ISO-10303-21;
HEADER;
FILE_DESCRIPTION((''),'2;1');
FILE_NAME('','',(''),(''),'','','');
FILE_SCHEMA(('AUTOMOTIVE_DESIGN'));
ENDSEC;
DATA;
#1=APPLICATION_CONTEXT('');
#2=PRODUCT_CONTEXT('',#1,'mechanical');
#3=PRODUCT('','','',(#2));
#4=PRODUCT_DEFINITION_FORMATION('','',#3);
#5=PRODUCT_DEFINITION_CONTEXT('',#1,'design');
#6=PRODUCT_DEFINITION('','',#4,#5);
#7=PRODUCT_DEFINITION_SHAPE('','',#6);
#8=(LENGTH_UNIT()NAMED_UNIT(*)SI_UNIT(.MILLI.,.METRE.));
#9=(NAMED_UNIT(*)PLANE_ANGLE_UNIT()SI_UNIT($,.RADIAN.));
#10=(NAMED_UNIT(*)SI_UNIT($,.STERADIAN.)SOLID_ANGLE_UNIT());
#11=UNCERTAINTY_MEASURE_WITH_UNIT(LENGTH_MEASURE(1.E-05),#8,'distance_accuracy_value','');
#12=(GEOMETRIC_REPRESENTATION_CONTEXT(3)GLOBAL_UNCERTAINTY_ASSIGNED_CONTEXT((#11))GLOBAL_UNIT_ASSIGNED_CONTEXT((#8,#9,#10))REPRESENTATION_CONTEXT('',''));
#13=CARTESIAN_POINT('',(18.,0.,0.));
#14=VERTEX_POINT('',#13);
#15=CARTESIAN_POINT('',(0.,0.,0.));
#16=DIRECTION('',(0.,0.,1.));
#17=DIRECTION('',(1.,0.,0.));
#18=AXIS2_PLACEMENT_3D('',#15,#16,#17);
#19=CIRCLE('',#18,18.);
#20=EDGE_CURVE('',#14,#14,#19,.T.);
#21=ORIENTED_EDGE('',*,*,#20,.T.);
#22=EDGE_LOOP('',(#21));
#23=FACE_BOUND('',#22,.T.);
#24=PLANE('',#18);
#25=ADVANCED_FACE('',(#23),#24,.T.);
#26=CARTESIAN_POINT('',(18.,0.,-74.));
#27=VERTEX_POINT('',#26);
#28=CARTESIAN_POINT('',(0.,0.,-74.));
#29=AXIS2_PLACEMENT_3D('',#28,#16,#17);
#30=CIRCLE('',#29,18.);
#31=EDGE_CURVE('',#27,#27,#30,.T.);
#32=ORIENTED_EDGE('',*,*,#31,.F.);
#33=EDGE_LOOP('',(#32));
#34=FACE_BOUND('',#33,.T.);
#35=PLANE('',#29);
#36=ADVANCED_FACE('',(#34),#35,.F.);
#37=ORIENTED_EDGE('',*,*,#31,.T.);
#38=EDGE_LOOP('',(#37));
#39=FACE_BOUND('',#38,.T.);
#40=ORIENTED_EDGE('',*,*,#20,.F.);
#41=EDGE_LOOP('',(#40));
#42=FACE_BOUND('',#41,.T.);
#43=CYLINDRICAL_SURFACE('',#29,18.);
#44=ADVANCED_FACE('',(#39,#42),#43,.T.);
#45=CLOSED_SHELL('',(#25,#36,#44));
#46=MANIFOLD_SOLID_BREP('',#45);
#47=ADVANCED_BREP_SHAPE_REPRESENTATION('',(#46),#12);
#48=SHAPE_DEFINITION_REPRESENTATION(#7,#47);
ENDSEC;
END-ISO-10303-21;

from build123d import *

# Parameters (mm, degrees)
SKETCH1_R           = 18
BOSS_EXTRUDE1_DEPTH = 74


with BuildPart() as part:
    # Sketch1 → Boss-Extrude1 (new body)
    with BuildSketch(Plane.XY):
        Circle(SKETCH1_R)
    extrude(amount=-BOSS_EXTRUDE1_DEPTH)


solid = part.part
